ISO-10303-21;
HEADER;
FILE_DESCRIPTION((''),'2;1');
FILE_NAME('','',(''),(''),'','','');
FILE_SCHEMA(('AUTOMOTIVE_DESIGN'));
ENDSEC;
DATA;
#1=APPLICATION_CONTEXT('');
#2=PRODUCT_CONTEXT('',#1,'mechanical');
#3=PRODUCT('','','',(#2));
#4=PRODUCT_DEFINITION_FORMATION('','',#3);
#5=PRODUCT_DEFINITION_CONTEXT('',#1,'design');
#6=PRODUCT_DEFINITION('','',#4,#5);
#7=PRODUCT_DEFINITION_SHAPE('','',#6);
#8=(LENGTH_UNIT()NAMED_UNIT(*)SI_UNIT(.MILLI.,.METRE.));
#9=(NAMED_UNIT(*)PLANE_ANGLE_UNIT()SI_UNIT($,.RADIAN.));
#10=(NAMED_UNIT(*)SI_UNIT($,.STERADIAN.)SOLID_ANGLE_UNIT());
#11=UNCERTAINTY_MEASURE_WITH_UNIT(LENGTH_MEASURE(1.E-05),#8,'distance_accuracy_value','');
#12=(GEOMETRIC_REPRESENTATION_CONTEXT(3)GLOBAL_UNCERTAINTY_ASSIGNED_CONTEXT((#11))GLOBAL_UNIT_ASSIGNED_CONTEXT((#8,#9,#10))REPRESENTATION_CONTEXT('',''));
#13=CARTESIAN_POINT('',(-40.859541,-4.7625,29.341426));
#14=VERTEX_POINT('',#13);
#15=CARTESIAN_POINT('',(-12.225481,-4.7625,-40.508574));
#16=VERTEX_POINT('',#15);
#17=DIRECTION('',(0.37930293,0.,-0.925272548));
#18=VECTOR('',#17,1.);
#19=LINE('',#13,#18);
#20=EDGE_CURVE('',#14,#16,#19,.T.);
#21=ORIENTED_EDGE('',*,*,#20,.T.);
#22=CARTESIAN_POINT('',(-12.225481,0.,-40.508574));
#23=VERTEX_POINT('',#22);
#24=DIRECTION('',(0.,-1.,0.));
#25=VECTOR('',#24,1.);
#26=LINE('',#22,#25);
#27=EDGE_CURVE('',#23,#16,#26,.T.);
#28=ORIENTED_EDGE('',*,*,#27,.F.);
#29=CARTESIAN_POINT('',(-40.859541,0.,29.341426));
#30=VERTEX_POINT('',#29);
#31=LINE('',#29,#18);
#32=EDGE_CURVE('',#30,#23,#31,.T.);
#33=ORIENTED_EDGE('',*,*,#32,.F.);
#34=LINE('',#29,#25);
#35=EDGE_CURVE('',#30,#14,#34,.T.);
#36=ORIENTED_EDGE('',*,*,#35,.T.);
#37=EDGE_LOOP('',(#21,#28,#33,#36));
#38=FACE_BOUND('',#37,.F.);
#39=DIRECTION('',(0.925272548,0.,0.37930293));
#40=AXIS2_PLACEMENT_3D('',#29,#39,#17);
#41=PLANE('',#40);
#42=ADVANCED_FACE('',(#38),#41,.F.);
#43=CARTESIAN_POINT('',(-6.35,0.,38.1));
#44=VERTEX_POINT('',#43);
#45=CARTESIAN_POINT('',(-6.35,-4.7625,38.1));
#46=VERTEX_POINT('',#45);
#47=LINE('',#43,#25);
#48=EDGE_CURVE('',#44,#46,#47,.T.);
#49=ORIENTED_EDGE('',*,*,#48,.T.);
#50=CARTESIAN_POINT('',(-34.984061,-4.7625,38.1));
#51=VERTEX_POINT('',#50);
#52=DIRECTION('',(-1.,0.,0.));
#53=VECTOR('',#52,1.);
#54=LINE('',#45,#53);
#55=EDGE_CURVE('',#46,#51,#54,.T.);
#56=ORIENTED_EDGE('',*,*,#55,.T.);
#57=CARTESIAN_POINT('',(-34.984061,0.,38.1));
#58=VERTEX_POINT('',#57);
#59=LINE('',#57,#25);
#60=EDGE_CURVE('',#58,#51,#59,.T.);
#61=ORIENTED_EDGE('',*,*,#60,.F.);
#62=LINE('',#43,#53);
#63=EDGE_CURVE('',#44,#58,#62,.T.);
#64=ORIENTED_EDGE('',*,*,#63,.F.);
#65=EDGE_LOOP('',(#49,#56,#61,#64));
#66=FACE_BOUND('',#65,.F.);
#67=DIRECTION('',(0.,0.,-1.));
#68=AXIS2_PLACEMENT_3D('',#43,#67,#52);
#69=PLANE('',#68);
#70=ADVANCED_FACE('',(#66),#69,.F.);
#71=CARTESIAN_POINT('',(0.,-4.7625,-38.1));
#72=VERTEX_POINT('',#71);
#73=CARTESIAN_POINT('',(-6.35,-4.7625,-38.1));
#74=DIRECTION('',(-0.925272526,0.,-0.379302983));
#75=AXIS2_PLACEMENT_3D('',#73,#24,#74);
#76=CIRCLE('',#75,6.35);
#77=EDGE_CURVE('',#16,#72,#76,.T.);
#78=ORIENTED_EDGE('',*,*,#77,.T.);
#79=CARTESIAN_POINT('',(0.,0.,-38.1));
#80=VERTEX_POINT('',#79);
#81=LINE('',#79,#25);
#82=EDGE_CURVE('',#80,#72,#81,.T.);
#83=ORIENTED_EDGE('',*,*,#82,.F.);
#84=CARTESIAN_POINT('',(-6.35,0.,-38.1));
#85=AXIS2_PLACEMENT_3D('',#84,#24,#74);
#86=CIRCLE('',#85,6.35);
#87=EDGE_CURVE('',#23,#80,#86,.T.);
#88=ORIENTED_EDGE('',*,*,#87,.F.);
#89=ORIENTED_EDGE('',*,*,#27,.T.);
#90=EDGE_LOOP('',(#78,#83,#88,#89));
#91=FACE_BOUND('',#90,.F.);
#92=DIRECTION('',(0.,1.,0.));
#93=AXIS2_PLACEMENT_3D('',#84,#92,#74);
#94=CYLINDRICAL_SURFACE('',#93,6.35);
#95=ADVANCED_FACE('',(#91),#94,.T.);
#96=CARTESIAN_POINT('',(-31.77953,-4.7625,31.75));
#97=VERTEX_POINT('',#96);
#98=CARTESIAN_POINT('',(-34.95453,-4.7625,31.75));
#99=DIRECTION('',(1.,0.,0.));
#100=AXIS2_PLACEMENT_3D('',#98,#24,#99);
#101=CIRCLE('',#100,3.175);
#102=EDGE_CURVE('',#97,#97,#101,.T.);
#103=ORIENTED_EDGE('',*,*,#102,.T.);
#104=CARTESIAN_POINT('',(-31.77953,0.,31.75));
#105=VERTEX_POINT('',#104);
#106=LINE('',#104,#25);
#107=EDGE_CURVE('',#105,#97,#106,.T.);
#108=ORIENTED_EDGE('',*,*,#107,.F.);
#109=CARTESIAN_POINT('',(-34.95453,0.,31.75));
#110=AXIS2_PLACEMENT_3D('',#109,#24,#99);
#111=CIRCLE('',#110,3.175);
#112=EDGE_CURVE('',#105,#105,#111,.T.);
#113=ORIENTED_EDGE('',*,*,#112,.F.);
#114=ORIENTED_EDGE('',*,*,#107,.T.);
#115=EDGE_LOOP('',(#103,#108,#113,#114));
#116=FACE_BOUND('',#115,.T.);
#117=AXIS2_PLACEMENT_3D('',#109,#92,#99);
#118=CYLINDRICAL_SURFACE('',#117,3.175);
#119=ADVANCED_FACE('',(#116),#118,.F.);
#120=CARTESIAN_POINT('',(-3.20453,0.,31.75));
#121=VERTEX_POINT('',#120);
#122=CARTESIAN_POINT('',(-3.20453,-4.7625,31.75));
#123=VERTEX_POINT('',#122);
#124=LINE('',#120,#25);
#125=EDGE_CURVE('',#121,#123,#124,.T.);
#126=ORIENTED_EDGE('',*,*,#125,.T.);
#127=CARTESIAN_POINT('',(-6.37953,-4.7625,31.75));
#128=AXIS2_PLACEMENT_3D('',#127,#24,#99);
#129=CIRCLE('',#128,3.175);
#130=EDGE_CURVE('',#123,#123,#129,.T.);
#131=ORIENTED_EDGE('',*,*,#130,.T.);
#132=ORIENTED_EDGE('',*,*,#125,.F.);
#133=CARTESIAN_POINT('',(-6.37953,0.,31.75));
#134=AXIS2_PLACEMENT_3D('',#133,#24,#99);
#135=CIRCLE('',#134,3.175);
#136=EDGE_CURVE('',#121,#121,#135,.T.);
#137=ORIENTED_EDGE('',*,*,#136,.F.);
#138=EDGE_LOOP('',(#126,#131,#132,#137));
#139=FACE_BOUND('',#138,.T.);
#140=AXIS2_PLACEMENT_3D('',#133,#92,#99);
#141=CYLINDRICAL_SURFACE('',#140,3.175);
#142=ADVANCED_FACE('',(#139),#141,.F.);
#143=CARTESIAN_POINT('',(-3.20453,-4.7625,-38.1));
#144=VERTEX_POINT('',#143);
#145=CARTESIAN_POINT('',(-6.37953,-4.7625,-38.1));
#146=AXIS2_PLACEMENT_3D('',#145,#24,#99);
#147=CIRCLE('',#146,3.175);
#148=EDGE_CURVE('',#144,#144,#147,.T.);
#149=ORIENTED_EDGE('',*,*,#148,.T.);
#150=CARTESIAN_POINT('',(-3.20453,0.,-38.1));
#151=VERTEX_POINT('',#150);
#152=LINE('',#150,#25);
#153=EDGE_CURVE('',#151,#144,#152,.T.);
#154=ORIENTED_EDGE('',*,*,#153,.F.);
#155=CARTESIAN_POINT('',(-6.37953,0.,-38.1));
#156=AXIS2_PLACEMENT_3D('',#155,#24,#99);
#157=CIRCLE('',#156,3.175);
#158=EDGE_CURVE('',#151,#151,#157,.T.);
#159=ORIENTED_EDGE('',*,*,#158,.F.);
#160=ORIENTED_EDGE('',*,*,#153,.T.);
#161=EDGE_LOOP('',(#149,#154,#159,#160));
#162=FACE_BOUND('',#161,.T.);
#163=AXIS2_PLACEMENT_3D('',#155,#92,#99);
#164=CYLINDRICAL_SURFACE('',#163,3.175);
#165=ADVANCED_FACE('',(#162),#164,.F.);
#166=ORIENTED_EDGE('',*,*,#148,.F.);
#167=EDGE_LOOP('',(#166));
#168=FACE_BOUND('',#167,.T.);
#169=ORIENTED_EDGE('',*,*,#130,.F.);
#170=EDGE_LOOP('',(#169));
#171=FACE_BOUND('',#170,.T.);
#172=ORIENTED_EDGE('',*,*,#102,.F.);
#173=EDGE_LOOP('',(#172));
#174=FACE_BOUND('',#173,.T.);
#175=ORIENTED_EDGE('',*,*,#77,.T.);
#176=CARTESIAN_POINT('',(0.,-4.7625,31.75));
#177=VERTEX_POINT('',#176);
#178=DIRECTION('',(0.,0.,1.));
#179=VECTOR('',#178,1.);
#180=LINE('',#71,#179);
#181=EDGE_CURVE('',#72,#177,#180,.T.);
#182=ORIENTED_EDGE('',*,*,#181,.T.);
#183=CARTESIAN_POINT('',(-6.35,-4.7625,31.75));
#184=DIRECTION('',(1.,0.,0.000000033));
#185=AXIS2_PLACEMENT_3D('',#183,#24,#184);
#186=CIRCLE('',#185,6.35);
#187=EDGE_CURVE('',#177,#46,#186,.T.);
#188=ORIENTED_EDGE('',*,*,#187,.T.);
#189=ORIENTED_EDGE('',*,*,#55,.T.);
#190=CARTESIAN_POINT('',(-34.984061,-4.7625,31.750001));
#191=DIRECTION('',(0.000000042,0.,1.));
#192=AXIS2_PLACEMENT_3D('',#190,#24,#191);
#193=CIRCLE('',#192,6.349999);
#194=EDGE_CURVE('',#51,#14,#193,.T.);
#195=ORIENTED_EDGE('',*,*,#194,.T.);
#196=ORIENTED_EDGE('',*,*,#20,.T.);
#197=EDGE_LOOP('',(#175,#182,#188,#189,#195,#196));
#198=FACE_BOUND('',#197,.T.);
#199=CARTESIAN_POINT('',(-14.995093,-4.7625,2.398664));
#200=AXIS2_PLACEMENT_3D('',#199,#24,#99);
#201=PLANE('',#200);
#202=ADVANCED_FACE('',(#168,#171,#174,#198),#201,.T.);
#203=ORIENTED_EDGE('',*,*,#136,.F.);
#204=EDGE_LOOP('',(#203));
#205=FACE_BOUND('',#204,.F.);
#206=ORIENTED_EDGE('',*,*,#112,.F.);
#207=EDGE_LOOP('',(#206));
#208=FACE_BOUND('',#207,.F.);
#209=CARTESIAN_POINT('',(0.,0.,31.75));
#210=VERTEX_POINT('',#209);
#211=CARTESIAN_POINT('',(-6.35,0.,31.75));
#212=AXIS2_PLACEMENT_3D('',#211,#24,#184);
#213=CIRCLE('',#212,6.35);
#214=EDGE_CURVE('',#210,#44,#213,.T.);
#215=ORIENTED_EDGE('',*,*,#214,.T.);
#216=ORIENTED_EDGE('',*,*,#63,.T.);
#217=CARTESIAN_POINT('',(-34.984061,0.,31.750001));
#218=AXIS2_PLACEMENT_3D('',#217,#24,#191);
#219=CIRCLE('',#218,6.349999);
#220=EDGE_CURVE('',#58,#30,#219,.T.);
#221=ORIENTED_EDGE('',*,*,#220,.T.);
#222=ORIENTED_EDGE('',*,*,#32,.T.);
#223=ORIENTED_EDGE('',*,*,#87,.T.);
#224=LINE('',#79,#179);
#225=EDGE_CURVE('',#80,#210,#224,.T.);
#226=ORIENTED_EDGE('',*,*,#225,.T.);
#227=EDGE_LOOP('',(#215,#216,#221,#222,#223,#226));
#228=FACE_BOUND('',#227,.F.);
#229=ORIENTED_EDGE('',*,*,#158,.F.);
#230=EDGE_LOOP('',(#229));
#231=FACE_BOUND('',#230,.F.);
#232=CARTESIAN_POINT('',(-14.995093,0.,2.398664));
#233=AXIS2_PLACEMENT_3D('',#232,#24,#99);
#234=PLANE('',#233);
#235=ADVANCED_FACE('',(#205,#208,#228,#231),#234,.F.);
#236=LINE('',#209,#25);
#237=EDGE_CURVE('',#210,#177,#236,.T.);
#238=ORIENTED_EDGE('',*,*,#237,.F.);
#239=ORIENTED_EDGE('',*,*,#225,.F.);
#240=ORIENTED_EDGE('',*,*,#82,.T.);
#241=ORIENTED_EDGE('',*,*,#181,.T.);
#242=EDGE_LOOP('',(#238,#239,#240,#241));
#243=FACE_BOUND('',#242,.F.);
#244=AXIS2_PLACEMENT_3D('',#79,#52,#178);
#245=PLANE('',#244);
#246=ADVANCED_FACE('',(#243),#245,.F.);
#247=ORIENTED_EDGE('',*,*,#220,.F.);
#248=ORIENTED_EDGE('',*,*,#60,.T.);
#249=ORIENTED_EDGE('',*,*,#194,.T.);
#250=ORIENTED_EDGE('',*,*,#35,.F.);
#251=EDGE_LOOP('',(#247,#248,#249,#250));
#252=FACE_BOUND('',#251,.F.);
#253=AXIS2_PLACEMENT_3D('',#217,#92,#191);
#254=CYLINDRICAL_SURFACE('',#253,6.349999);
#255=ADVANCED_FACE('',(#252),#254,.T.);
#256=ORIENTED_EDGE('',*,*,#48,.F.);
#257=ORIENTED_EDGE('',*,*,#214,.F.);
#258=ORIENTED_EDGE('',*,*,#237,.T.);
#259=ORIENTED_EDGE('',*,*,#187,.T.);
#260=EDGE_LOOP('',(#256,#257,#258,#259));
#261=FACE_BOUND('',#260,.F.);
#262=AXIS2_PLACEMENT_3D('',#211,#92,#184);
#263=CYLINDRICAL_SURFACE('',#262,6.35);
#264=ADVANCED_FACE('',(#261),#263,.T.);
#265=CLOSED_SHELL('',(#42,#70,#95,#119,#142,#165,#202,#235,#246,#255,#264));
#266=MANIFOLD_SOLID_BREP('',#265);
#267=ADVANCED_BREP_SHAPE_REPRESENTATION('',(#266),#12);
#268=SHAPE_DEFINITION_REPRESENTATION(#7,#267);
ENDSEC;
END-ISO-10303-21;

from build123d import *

# Parameters (mm, degrees)
F0_R     = 3.175
F1_DEPTH = 4.7625


with BuildPart() as f1:
    # F0 (on Front) → F1 (new body)
    with BuildSketch(Plane.XZ):
        with BuildLine():
            ThreePointArc((-12.225481, -40.508574), (-5.122564, -44.330241), (0, -38.1))
            Line((0, -38.1), (0, 31.75))
            ThreePointArc((0, 31.75), (-1.859872, 36.240128), (-6.35, 38.1))
            Line((-6.35, 38.1), (-20.66703, 38.1))
            Line((-20.66703, 38.1), (-34.984061, 38.1))
            ThreePointArc((-34.984061, 38.1), (-40.257435, 35.287517), (-40.859541, 29.341426))
            Line((-40.859541, 29.341426), (-12.225481, -40.508574))
        make_face()
        with Locations((-6.37953, -38.1)):
            Circle(F0_R, mode=Mode.SUBTRACT)
        with Locations((-34.95453, 31.75)):
            Circle(F0_R, mode=Mode.SUBTRACT)
        with Locations((-6.37953, 31.75)):
            Circle(F0_R, mode=Mode.SUBTRACT)
    extrude(amount=F1_DEPTH)


solid = f1.part
